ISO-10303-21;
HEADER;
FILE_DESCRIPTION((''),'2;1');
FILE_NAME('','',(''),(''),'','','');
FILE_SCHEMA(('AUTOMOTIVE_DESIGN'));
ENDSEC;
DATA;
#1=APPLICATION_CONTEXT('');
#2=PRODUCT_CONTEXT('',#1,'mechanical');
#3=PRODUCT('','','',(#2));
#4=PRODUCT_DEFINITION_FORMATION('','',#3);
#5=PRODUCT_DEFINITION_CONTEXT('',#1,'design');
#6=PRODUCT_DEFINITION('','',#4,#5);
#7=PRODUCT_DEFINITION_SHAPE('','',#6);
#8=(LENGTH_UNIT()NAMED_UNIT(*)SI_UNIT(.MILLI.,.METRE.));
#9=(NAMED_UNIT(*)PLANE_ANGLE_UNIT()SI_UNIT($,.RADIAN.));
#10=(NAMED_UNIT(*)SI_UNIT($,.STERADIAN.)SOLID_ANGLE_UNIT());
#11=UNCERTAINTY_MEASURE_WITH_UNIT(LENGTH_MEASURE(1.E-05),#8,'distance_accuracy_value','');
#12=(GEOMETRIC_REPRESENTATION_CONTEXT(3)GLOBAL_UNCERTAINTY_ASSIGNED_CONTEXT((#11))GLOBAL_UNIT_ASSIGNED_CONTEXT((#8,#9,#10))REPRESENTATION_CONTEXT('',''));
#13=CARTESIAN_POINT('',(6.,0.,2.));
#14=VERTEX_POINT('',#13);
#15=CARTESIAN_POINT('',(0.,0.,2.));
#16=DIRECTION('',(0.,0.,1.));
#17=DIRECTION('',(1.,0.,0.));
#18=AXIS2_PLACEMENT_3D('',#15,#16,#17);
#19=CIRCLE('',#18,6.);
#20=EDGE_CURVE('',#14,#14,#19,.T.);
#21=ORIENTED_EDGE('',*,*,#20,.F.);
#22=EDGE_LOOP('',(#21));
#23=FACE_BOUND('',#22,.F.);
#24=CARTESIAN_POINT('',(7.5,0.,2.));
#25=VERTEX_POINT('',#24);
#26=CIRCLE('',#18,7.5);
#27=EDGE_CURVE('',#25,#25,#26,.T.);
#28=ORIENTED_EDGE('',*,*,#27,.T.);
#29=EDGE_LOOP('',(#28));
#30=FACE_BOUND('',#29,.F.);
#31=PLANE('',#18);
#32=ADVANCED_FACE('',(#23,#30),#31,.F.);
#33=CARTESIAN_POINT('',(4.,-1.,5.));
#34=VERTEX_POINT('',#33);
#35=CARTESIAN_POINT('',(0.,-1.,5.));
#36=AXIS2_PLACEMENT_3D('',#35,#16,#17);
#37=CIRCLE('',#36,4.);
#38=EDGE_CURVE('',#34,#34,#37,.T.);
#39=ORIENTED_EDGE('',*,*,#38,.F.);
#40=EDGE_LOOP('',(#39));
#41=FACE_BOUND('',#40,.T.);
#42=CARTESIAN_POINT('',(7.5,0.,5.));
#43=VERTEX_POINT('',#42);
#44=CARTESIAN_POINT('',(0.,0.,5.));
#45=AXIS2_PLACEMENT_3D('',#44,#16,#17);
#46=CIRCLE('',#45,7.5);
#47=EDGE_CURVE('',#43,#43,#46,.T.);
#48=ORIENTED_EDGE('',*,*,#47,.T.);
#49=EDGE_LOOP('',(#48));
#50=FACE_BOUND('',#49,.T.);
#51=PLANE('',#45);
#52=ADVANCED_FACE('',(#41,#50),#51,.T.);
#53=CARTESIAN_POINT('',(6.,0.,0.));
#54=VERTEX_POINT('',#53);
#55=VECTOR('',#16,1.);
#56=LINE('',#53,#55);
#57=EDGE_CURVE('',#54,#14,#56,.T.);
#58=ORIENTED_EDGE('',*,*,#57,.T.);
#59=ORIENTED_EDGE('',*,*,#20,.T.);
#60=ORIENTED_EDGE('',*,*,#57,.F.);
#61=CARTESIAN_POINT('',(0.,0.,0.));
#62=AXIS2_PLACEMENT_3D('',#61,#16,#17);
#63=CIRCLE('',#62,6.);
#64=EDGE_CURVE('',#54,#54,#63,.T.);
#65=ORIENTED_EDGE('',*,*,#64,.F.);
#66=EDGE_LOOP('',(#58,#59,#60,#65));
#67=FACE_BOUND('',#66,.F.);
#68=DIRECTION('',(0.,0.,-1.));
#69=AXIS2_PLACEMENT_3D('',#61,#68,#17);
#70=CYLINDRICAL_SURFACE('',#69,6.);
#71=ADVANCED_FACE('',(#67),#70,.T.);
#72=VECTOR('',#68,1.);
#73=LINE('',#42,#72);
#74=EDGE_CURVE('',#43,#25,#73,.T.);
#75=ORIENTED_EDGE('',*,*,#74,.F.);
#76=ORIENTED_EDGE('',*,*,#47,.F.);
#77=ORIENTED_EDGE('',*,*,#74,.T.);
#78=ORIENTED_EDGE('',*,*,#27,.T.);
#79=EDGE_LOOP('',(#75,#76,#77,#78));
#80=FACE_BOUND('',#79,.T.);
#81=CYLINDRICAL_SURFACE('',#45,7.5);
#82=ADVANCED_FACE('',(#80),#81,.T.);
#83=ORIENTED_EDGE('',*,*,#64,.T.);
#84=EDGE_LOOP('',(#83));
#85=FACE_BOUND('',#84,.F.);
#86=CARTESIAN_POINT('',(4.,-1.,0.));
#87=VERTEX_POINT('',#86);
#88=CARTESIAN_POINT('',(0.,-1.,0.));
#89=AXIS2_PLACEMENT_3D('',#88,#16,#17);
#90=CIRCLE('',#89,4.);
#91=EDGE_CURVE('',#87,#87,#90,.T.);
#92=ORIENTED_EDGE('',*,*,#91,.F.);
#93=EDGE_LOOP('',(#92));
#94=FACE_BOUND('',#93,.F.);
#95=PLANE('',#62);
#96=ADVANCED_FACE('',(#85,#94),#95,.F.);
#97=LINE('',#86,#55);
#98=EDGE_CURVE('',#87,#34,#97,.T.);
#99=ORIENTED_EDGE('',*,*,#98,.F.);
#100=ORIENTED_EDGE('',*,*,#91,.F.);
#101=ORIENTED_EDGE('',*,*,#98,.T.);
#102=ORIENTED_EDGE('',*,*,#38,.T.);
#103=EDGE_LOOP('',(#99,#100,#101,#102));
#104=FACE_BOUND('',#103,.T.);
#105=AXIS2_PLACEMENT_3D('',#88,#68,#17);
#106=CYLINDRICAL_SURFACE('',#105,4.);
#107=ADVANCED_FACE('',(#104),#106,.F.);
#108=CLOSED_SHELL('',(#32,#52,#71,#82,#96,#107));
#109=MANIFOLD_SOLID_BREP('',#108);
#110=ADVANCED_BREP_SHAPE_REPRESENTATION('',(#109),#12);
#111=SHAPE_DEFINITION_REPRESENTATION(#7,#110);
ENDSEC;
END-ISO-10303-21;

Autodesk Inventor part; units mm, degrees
ref_plane "YZ Plane" through (0, 0, 0) normal (1, 0, 0) x (0, 1, 0)
ref_plane "XZ Plane" through (0, 0, 0) normal (0, 1, 0) x (-1, 0, 0)
ref_plane "XY Plane" through (0, 0, 0) normal (0, 0, 1) x (1, 0, 0)
sketch "Sketch1" plane through (0, 0, 0) normal (0, 0, 1) x (1, 0, 0)
  circle A0 centre (0, 0) radius 6
  circle A1 centre (0, -1) radius 4
  dimension "d0" = 12
  dimension "d1" = 8
  dimension "d2" = 1
extrude "Extrusion1" add sketch "Sketch1" along normal blind 5
sketch "Sketch2" plane through (0, 0, 5) normal (0, 0, 1) x (1, 0, 0)
  circle A0 centre (0, 0) radius 7.5
  circle A1 centre (0, 0) radius 6 projected
  dimension "d5" = 15
extrude "Extrusion2" add sketch "Sketch2" against normal blind 3
properties part number "off center hole"
